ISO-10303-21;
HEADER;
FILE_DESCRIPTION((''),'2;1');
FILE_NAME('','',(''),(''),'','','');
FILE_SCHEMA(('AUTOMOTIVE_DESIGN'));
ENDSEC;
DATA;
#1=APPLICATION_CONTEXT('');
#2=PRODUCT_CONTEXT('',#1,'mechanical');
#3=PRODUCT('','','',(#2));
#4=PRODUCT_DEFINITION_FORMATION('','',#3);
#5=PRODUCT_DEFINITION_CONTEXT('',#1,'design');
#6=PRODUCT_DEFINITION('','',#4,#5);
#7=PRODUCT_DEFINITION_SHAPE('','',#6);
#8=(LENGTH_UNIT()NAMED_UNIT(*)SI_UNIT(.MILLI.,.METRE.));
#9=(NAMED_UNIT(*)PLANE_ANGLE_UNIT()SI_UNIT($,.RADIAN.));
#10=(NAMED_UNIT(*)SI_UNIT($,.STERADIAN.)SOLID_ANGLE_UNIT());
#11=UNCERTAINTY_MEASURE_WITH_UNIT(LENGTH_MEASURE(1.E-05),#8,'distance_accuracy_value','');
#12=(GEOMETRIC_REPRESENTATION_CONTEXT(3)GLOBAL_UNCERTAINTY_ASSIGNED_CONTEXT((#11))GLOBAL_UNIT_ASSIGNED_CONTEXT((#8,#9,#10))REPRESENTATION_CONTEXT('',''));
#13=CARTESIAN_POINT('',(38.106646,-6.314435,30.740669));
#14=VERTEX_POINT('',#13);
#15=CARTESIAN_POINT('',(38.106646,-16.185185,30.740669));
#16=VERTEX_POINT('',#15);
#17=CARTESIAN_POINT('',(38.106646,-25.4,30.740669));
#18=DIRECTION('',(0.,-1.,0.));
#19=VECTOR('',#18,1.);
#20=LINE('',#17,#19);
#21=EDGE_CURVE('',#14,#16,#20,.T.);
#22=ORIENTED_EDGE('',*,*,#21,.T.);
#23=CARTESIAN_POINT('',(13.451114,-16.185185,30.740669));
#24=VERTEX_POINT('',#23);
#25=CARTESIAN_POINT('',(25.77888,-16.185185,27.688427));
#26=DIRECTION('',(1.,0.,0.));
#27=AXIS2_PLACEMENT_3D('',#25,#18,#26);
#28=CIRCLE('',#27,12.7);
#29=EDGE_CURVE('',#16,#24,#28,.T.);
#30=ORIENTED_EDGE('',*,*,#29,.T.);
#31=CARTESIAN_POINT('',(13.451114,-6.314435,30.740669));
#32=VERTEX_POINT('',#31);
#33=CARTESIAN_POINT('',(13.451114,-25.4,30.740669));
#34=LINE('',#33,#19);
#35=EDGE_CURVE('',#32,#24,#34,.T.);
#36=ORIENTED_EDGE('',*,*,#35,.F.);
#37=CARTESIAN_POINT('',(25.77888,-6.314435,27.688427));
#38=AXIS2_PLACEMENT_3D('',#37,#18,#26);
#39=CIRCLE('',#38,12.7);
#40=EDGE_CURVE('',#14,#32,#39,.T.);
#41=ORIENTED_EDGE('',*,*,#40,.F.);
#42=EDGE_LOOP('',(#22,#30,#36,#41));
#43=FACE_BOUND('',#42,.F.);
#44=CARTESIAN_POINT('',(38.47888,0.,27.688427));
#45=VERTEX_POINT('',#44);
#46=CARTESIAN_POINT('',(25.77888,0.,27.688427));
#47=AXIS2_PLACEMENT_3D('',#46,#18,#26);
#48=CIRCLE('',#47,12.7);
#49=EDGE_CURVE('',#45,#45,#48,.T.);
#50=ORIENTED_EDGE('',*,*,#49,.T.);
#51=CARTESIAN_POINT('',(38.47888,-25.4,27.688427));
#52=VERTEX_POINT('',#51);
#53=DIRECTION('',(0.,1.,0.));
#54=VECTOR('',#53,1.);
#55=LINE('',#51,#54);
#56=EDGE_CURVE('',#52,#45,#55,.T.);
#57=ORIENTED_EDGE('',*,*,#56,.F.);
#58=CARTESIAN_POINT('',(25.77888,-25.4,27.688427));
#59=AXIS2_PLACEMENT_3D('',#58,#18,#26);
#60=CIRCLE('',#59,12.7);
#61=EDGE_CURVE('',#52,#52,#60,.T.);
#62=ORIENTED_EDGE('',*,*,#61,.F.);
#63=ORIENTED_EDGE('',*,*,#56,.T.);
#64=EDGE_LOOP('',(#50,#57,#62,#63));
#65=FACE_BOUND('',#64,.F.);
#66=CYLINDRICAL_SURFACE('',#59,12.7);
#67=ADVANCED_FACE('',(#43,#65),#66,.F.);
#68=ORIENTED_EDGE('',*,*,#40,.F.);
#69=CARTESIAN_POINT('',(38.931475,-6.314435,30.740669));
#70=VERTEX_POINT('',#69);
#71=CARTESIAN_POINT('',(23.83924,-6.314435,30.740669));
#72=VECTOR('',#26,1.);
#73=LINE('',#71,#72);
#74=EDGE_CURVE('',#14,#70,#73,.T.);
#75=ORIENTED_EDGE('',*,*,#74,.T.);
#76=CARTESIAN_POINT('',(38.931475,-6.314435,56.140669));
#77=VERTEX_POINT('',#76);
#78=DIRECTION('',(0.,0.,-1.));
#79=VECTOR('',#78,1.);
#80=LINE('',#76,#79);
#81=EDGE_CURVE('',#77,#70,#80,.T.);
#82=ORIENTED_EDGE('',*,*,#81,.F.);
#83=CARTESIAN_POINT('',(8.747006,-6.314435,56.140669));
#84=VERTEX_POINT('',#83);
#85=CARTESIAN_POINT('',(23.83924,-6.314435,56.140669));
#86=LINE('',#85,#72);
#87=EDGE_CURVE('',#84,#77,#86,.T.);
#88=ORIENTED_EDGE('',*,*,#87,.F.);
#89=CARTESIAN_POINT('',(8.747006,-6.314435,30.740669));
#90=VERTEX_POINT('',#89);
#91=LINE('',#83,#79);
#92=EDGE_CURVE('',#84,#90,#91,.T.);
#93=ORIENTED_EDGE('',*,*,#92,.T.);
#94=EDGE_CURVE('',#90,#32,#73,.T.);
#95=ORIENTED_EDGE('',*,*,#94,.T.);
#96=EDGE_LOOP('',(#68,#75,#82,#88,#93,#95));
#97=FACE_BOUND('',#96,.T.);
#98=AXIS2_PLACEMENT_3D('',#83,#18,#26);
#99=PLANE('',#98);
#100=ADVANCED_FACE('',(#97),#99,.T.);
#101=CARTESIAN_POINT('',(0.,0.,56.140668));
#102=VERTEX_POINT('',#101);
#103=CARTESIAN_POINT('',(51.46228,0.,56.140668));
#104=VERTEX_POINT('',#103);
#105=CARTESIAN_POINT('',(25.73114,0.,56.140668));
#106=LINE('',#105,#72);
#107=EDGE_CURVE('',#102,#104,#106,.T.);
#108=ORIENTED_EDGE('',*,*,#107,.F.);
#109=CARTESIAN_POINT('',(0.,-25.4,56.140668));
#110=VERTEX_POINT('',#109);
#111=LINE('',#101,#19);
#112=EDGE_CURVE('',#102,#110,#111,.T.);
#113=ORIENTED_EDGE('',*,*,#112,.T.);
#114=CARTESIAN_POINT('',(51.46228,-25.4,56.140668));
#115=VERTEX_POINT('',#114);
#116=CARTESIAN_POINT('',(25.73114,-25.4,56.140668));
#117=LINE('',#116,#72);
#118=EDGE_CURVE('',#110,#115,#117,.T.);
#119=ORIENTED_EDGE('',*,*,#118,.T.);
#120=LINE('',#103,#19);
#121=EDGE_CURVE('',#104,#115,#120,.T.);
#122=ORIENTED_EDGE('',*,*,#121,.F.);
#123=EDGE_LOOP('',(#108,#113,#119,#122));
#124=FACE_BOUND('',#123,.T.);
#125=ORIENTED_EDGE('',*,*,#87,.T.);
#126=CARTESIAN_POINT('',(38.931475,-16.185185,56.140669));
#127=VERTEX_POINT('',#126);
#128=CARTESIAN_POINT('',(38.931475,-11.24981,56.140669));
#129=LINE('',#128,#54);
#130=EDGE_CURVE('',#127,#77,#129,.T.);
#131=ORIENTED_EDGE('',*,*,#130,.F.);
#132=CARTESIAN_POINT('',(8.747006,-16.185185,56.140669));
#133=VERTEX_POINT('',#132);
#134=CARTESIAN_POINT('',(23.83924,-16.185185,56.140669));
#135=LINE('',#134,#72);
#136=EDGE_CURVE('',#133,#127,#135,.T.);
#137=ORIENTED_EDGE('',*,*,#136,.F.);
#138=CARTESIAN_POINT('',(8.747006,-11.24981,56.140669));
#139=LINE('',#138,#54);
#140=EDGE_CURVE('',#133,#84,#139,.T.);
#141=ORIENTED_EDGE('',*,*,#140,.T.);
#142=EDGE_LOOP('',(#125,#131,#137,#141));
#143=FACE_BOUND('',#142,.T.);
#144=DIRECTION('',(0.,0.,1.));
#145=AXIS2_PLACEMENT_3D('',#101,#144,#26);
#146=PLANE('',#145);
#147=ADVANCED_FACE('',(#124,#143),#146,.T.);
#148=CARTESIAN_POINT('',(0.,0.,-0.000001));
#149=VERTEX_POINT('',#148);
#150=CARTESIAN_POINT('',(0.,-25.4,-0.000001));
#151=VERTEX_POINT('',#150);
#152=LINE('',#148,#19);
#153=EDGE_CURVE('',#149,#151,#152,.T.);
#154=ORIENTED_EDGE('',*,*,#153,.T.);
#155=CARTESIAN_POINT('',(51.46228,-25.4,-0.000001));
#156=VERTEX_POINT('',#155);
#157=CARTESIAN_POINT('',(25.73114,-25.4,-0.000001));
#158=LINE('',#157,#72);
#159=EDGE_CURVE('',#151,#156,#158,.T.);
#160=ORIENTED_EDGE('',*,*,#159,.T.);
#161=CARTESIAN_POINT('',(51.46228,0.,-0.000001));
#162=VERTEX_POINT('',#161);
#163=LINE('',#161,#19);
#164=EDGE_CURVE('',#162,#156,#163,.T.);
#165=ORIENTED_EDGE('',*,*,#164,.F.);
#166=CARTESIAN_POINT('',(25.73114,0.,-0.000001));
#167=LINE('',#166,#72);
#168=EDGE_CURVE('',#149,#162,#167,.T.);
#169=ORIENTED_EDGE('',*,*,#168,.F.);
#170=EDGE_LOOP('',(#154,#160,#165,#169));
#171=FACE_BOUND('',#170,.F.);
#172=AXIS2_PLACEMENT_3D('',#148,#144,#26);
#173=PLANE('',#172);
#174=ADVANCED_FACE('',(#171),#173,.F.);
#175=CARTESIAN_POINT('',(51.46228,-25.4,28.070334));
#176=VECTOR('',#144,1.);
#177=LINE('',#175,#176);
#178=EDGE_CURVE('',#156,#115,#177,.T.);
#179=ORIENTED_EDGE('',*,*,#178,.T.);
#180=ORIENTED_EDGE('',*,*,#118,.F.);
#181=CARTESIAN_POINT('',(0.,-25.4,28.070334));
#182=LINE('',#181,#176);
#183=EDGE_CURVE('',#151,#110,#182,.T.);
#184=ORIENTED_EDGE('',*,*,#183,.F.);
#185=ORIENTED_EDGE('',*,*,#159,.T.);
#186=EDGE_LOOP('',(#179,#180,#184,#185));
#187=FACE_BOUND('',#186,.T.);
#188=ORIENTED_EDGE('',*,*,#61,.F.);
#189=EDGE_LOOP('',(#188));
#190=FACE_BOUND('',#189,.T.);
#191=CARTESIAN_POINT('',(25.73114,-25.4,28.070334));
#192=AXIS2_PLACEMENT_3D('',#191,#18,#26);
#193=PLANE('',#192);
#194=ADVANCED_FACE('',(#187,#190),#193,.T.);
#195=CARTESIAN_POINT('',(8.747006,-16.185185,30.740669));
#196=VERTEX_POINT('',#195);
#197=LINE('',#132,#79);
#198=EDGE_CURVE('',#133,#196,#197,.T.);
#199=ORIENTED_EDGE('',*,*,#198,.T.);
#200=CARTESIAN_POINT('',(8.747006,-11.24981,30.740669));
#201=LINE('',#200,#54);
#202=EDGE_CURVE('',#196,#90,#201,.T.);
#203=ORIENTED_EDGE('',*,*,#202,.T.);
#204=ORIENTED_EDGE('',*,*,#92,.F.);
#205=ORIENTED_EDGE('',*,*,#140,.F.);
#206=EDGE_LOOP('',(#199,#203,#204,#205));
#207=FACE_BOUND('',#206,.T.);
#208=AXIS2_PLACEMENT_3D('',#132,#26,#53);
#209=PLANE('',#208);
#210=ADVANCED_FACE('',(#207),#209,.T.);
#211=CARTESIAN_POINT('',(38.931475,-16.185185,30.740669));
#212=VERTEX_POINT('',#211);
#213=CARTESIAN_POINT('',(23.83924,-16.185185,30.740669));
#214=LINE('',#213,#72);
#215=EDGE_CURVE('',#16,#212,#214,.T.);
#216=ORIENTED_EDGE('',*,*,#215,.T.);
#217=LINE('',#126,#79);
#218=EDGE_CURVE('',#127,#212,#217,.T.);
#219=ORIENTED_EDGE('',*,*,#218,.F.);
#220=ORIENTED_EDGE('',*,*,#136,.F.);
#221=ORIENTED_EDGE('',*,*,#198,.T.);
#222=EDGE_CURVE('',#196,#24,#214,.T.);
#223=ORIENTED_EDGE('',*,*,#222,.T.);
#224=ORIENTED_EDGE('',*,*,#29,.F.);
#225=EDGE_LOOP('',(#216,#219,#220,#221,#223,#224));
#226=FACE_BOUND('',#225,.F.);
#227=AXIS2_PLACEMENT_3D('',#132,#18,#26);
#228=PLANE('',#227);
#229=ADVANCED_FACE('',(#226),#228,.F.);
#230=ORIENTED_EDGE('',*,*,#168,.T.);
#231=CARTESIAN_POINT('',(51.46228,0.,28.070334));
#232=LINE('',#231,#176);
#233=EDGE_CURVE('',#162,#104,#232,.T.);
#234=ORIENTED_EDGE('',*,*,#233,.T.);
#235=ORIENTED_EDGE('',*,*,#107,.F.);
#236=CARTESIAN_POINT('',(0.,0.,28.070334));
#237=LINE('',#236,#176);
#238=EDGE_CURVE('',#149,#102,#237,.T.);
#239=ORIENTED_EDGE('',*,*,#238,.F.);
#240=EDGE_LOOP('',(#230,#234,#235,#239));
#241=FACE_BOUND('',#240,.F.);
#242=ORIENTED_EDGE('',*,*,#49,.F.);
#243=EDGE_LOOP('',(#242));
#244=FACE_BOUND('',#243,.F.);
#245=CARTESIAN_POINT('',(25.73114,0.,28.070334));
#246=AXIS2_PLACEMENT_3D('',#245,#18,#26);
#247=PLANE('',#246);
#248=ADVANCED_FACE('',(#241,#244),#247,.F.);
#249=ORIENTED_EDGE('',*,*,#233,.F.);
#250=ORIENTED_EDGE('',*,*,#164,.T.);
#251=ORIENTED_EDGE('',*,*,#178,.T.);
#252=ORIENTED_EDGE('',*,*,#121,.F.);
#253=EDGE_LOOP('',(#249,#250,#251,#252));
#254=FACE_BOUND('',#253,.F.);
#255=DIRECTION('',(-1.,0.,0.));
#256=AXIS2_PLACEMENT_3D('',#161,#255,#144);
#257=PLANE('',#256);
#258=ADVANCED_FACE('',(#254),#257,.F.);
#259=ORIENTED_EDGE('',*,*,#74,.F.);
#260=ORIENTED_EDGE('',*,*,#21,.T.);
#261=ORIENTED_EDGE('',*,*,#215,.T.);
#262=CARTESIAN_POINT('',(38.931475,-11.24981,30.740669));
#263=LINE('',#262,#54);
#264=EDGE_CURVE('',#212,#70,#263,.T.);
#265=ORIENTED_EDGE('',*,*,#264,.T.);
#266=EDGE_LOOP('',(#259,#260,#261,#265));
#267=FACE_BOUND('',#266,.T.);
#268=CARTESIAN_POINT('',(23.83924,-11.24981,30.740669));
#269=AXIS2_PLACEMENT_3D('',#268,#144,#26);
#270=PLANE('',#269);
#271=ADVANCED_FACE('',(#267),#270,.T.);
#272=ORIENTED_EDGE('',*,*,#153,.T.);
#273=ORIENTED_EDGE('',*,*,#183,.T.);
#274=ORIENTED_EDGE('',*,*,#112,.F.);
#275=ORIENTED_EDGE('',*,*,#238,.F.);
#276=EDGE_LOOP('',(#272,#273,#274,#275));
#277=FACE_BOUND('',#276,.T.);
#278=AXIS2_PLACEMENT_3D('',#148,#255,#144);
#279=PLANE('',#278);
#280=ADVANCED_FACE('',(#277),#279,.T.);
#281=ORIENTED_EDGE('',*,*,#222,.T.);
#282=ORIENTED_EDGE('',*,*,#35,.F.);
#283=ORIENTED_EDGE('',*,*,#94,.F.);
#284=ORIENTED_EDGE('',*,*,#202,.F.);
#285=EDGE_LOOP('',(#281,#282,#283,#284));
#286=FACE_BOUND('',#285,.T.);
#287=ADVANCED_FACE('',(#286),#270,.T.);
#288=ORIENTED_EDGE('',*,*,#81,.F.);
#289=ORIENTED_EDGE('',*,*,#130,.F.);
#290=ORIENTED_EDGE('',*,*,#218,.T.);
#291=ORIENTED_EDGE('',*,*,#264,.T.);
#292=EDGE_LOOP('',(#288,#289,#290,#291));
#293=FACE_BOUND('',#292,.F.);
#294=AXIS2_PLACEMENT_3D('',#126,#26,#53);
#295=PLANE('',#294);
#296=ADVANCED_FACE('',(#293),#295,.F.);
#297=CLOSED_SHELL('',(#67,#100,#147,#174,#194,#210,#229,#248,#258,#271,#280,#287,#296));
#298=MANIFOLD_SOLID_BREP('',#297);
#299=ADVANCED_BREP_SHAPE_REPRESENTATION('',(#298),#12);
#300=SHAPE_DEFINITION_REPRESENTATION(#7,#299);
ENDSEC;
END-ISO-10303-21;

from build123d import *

# Parameters (mm, degrees)
F0_W     = 51.462281
F0_H     = 56.140669
F1_DEPTH = 25.4
F2_R     = 12.7
F3_DEPTH = 25.4
F4_W     = 30.184469
F4_H     = 9.87075
F5_DEPTH = 25.4


with BuildPart() as f1:
    # F0 (on Front) → F1 (new body)
    with BuildSketch(Plane.XZ):
        with Locations((25.73114, 28.070334)):
            Rectangle(F0_W, F0_H)
    extrude(amount=F1_DEPTH)

    # F2 (on face) → F3 (cut)
    with BuildSketch(Plane.XZ.offset(25.4)):
        with Locations((25.77888, 27.688427)):
            Circle(F2_R)
    extrude(amount=-F3_DEPTH, mode=Mode.SUBTRACT)

    # F4 (on face) → F5 (cut)
    with BuildSketch(Plane.XY.offset(56.140669)):
        with Locations((23.83924, -11.24981)):
            Rectangle(F4_W, F4_H)
    extrude(amount=-F5_DEPTH, mode=Mode.SUBTRACT)


solid = f1.part
